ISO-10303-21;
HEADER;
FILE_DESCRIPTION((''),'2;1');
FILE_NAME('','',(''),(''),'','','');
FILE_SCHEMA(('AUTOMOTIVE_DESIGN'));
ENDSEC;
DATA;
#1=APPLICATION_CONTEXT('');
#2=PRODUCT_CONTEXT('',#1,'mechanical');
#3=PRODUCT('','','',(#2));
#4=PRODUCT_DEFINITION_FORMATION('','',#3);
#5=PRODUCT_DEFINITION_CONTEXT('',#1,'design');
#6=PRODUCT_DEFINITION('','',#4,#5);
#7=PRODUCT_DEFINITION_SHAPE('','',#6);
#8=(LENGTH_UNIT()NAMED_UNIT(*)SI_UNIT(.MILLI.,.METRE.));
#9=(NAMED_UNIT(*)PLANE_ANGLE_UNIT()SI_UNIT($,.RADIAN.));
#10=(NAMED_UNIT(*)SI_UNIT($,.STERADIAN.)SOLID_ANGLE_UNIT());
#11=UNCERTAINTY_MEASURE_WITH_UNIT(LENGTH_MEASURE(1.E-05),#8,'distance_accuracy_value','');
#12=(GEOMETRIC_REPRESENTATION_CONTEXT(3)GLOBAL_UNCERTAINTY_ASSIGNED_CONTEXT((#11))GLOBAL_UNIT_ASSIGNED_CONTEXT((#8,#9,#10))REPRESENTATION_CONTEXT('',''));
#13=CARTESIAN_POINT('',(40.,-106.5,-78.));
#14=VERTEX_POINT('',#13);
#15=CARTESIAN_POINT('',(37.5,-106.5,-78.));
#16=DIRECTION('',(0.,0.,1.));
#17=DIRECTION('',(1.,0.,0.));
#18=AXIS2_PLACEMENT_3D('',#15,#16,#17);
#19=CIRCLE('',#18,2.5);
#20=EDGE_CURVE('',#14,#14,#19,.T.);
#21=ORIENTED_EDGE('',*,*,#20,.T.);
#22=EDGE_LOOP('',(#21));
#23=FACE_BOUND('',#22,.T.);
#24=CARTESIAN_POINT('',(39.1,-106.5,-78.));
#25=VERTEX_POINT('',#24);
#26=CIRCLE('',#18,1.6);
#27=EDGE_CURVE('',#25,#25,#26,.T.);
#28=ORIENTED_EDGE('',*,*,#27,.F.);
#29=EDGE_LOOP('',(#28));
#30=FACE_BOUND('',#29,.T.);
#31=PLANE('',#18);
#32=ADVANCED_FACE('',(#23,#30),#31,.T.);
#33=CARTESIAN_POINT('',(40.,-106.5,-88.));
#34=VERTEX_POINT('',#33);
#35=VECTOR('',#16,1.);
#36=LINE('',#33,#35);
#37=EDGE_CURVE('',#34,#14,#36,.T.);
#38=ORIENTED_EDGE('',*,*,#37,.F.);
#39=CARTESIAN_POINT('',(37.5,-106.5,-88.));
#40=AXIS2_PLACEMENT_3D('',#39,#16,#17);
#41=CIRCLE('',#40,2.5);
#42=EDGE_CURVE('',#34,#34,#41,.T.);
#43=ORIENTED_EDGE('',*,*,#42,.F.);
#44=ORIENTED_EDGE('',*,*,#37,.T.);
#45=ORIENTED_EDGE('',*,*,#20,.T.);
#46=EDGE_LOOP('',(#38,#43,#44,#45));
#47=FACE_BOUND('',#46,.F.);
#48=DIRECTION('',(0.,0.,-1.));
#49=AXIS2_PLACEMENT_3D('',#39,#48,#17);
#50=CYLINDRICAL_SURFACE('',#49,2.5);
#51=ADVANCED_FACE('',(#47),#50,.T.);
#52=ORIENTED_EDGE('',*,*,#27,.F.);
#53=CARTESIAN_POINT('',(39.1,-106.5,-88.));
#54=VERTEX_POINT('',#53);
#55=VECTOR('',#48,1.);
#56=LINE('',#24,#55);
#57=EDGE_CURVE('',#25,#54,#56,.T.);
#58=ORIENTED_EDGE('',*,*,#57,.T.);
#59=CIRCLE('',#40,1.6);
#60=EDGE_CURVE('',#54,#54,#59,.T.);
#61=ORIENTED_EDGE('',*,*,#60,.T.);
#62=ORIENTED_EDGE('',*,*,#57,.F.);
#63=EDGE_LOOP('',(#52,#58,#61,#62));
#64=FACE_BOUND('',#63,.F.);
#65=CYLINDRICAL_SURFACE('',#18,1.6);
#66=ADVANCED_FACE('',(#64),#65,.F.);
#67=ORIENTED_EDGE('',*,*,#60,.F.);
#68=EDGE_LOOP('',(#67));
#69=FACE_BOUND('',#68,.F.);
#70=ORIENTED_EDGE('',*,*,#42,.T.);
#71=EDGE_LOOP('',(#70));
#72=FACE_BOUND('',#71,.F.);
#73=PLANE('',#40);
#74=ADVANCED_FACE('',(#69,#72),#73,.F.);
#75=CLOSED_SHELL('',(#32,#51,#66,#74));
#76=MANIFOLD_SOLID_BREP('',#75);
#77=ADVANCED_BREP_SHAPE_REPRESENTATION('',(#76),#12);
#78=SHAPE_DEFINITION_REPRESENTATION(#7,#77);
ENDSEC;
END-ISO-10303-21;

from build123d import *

# Parameters (mm, degrees)
SKETCH061_R  = 1.6
PAD027_DEPTH = 10
SKETCH060_R  = 2.5
PAD026_DEPTH = 10


with BuildPart() as pad027:
    # Sketch061 → Pad027 (new body)
    with BuildSketch(Plane.XY.offset(10)):
        Circle(SKETCH061_R)
    extrude(amount=-PAD027_DEPTH)


with BuildPart() as cut041:
    # Sketch060 → Pad026 (new body)
    with BuildSketch(Plane.XY):
        Circle(SKETCH060_R)
    extrude(amount=PAD026_DEPTH)

    # Cut041: cut Pad027
    add(pad027.part, mode=Mode.SUBTRACT)


with BuildPart() as cut041_1:
    # Cut041 placement: moved
    add(cut041.part.moved(Location((37.5, -106.5, -88))))


solid = cut041_1.part
